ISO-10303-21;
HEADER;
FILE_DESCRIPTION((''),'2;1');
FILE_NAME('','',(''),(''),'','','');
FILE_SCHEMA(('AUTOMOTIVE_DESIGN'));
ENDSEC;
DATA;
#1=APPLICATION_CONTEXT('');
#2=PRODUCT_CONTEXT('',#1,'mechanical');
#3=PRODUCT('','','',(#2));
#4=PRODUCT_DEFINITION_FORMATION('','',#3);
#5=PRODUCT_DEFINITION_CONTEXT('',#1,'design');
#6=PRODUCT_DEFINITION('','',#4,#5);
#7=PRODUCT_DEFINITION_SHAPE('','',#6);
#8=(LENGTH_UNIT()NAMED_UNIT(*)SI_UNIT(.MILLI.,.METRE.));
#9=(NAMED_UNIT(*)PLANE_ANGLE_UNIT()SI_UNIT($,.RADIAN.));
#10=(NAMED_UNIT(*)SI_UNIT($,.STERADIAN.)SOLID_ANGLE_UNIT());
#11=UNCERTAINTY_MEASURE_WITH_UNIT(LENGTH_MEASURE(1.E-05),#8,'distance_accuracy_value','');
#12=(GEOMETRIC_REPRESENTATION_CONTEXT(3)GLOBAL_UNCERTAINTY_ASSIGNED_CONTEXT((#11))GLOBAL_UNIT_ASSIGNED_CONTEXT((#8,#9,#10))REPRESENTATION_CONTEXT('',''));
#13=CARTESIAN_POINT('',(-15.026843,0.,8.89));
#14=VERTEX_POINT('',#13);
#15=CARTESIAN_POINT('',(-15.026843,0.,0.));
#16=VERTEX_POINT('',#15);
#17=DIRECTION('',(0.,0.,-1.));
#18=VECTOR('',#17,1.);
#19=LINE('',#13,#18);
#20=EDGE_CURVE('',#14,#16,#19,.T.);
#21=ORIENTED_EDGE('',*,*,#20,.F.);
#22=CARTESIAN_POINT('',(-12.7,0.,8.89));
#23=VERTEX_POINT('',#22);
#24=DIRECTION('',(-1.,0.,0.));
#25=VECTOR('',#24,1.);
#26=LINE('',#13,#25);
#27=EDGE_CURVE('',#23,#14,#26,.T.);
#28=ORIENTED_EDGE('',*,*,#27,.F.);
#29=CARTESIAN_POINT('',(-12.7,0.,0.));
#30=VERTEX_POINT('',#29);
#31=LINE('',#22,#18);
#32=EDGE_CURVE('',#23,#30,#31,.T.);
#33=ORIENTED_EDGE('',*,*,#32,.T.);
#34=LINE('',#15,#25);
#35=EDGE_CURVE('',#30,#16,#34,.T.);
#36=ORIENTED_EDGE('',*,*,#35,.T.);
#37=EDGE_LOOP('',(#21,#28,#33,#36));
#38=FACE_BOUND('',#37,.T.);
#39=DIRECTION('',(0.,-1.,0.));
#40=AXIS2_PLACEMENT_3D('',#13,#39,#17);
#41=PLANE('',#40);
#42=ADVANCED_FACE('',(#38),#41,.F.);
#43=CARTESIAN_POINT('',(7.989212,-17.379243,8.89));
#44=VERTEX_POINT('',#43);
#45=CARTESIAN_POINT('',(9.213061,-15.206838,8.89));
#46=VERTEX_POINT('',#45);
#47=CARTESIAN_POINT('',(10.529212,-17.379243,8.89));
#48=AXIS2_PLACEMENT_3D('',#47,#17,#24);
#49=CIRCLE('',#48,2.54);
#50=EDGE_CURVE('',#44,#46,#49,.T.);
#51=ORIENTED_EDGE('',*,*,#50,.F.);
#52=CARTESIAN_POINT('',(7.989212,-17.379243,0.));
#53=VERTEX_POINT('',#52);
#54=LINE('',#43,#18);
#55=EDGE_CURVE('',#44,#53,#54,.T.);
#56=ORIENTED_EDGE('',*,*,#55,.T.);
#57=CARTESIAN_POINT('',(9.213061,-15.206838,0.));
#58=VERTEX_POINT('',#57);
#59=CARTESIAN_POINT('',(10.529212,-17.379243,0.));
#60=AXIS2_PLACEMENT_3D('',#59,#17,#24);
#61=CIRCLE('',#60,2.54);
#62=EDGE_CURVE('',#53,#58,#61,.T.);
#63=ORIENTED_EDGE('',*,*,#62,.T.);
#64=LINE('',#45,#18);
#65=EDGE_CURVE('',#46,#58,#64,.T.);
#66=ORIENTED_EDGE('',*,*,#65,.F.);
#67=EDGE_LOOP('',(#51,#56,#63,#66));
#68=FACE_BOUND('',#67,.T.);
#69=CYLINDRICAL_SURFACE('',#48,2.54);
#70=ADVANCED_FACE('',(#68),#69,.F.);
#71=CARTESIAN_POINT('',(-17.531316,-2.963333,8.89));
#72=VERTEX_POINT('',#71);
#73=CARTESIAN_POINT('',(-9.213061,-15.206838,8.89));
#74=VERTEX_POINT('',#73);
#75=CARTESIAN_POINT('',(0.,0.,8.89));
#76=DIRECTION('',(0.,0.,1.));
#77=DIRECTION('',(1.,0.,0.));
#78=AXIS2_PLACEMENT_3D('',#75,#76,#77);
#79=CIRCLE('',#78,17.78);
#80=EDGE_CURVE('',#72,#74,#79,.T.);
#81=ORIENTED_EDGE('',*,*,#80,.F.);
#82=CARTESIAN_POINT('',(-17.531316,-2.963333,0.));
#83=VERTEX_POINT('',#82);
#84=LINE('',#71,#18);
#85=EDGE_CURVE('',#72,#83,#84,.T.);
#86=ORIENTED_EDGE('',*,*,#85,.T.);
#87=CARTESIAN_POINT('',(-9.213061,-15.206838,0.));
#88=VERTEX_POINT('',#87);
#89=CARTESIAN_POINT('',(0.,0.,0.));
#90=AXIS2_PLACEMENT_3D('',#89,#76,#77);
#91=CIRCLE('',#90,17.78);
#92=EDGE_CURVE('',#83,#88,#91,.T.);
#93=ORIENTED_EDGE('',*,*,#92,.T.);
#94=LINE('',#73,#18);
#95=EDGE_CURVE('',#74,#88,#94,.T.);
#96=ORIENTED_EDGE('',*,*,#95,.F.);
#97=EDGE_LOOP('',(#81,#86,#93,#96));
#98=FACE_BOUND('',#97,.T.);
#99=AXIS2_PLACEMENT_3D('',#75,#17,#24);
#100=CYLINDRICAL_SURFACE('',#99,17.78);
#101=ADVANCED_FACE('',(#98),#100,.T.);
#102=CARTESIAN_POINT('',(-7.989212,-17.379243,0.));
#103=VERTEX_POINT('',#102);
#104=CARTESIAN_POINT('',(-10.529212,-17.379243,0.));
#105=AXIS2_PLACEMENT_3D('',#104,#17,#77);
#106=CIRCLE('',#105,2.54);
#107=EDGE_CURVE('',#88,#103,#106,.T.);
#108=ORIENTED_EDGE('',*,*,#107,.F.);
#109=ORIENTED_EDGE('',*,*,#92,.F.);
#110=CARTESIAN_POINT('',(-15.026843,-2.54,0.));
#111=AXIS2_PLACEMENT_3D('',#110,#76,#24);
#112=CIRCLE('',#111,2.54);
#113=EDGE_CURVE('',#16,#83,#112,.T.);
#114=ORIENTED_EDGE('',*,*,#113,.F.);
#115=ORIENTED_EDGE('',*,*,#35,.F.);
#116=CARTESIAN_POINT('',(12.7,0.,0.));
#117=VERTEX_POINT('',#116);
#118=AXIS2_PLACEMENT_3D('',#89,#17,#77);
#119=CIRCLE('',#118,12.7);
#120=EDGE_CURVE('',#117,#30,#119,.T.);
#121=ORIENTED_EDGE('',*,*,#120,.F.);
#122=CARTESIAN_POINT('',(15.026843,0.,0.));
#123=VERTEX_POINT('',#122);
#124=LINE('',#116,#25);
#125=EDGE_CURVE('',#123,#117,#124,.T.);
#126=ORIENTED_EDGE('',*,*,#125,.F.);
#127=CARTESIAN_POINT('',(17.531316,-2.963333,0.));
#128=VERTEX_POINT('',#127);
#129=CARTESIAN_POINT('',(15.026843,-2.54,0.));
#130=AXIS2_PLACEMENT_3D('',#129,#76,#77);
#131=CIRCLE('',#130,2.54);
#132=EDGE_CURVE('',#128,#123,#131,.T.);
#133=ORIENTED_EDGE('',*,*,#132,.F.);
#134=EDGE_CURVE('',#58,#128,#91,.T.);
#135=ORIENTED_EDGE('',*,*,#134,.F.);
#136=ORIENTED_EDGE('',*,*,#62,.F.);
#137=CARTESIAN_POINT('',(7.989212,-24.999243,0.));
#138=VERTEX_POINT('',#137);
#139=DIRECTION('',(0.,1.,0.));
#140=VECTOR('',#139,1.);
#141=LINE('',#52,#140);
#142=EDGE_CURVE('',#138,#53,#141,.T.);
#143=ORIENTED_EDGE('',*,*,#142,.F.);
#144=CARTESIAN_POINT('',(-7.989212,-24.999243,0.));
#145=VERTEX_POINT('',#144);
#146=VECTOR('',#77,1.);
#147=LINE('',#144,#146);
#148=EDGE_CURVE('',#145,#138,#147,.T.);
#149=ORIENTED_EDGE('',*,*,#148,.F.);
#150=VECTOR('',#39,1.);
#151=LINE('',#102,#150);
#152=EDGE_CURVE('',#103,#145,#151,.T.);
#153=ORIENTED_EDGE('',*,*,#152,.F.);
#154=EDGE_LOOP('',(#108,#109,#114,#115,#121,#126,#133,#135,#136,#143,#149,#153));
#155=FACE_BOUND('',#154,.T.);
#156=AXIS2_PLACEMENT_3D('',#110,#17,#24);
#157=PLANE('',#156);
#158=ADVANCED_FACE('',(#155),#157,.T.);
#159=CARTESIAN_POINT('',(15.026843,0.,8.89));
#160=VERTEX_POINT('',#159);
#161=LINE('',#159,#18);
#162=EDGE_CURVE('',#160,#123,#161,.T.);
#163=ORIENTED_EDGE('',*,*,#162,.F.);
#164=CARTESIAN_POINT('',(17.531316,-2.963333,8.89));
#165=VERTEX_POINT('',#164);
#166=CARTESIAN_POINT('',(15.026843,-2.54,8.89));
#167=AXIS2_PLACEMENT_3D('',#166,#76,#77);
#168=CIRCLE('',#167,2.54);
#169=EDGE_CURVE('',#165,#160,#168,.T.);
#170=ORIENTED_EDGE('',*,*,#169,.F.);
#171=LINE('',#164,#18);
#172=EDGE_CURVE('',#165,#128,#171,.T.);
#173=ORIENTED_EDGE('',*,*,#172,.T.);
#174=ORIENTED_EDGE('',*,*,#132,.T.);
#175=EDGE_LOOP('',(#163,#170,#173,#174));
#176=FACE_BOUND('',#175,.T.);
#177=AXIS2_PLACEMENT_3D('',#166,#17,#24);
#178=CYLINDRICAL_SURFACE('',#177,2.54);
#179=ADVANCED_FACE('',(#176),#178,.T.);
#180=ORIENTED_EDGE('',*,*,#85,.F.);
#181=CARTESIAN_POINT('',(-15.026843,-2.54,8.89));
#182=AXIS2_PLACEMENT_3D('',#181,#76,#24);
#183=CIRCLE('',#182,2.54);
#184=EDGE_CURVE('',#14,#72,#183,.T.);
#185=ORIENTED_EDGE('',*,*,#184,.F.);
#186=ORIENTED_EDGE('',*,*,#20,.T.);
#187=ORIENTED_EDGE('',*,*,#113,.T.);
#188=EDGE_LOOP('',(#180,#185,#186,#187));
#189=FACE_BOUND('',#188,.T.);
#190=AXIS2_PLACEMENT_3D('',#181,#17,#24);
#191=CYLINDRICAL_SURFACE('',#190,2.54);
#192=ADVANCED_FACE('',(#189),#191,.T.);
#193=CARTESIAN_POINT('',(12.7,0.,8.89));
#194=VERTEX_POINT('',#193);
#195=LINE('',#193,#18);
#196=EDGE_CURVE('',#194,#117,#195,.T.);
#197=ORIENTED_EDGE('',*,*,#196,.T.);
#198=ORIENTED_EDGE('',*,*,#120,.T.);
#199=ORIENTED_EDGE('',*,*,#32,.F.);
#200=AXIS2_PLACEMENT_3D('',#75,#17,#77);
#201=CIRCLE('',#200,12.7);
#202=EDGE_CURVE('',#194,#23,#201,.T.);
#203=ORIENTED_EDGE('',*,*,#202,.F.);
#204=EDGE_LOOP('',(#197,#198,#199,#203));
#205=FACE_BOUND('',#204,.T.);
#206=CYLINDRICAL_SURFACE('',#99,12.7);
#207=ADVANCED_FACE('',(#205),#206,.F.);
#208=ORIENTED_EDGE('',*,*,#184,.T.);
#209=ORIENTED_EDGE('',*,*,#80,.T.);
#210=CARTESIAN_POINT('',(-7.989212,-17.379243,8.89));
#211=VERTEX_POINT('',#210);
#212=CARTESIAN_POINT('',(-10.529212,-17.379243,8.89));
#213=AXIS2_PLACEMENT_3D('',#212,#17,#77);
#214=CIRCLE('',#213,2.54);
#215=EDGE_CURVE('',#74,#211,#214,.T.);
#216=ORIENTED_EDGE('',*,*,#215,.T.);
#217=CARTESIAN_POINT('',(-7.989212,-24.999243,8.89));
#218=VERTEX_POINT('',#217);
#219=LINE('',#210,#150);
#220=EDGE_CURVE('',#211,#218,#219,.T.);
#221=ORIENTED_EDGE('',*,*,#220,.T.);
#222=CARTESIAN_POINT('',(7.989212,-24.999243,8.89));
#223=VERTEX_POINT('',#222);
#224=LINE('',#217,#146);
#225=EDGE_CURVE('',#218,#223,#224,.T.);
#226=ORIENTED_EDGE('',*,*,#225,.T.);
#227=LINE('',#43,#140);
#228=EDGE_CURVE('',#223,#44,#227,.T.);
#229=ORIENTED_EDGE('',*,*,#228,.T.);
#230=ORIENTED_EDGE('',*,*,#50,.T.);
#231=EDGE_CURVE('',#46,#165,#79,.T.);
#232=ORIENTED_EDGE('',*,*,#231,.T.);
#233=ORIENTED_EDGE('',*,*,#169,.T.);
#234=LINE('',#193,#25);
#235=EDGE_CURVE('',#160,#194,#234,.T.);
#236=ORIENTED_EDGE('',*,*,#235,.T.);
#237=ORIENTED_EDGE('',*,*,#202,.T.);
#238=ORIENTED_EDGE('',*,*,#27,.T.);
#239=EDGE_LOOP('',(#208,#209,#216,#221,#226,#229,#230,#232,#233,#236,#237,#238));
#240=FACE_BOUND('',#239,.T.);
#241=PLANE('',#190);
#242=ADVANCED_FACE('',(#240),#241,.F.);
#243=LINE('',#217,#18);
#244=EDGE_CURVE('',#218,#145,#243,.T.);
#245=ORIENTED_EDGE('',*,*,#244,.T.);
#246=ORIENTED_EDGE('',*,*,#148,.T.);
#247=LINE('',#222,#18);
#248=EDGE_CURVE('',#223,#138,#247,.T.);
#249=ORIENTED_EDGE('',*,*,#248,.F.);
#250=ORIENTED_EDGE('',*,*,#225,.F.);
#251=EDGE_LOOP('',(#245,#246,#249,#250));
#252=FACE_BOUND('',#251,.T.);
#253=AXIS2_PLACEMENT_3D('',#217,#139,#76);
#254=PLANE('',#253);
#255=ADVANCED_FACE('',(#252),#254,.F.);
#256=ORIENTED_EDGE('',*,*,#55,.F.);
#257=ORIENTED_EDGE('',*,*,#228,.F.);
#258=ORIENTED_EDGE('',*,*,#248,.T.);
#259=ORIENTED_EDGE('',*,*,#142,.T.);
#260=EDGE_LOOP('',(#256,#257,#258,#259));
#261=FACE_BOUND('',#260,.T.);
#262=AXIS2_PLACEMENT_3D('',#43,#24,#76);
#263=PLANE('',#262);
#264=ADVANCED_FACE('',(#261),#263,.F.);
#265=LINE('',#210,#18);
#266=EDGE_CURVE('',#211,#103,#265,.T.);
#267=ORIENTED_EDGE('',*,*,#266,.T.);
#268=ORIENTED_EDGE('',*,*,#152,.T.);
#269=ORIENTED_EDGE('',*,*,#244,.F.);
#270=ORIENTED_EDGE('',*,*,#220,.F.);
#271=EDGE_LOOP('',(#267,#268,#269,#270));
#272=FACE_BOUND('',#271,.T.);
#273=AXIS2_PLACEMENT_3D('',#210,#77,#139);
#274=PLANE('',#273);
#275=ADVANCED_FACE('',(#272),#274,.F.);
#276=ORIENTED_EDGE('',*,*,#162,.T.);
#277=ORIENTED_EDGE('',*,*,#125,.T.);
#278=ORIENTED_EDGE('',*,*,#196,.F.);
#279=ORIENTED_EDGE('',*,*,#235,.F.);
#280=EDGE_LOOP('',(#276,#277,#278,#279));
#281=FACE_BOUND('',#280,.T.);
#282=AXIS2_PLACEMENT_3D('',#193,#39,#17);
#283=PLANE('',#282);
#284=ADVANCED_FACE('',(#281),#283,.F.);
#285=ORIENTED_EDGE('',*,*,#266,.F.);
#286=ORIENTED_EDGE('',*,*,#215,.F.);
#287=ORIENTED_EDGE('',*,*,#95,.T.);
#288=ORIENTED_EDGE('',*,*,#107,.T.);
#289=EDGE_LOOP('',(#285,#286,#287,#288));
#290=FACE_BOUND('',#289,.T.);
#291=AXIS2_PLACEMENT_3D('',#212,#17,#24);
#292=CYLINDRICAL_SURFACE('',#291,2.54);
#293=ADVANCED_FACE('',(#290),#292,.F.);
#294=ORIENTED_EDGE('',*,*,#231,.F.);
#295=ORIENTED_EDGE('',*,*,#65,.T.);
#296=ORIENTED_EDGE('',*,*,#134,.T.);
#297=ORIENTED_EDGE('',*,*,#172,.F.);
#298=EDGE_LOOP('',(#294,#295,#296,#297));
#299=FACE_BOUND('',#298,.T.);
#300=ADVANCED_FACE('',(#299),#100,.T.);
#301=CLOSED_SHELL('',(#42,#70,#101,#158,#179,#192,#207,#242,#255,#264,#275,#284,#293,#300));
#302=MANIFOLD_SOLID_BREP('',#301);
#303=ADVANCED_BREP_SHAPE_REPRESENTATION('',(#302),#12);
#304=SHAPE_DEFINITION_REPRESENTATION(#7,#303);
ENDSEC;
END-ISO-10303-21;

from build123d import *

# Parameters (mm, degrees)
EXTRUDE_1_DEPTH = 8.89


with BuildPart() as part:
    # 草图1 → 凸台-拉伸1 (new body)
    with BuildSketch(Plane.XY):
        with BuildLine():
            Line((-15.026842649, 0), (-12.7, 0))
            ThreePointArc((-12.7, 0), (0, -12.7), (12.7, 0))
            Line((12.7, 0), (15.026842649, 0))
            ThreePointArc((15.026842649, 0), (16.966799693, -0.90043705), (17.531316424, -2.963333333))
            ThreePointArc((17.531316424, -2.963333333), (14.706844565, -9.991852829), (9.213060739, -15.206837667))
            ThreePointArc((9.213060739, -15.206837667), (8.316225051, -16.132532355), (7.989212273, -17.379243047))
            Line((7.989212273, -17.379243047), (7.989212273, -24.999243047))
            Line((7.989212273, -24.999243047), (-7.989212273, -24.999243047))
            Line((-7.989212273, -24.999243047), (-7.989212273, -17.379243047))
            ThreePointArc((-7.989212273, -17.379243047), (-8.316225051, -16.132532355), (-9.213060739, -15.206837667))
            ThreePointArc((-9.213060739, -15.206837667), (-14.706844565, -9.991852829), (-17.531316424, -2.963333333))
            ThreePointArc((-17.531316424, -2.963333333), (-16.966799693, -0.90043705), (-15.026842649, 0))
        make_face()
    extrude(amount=EXTRUDE_1_DEPTH)


solid = part.part
